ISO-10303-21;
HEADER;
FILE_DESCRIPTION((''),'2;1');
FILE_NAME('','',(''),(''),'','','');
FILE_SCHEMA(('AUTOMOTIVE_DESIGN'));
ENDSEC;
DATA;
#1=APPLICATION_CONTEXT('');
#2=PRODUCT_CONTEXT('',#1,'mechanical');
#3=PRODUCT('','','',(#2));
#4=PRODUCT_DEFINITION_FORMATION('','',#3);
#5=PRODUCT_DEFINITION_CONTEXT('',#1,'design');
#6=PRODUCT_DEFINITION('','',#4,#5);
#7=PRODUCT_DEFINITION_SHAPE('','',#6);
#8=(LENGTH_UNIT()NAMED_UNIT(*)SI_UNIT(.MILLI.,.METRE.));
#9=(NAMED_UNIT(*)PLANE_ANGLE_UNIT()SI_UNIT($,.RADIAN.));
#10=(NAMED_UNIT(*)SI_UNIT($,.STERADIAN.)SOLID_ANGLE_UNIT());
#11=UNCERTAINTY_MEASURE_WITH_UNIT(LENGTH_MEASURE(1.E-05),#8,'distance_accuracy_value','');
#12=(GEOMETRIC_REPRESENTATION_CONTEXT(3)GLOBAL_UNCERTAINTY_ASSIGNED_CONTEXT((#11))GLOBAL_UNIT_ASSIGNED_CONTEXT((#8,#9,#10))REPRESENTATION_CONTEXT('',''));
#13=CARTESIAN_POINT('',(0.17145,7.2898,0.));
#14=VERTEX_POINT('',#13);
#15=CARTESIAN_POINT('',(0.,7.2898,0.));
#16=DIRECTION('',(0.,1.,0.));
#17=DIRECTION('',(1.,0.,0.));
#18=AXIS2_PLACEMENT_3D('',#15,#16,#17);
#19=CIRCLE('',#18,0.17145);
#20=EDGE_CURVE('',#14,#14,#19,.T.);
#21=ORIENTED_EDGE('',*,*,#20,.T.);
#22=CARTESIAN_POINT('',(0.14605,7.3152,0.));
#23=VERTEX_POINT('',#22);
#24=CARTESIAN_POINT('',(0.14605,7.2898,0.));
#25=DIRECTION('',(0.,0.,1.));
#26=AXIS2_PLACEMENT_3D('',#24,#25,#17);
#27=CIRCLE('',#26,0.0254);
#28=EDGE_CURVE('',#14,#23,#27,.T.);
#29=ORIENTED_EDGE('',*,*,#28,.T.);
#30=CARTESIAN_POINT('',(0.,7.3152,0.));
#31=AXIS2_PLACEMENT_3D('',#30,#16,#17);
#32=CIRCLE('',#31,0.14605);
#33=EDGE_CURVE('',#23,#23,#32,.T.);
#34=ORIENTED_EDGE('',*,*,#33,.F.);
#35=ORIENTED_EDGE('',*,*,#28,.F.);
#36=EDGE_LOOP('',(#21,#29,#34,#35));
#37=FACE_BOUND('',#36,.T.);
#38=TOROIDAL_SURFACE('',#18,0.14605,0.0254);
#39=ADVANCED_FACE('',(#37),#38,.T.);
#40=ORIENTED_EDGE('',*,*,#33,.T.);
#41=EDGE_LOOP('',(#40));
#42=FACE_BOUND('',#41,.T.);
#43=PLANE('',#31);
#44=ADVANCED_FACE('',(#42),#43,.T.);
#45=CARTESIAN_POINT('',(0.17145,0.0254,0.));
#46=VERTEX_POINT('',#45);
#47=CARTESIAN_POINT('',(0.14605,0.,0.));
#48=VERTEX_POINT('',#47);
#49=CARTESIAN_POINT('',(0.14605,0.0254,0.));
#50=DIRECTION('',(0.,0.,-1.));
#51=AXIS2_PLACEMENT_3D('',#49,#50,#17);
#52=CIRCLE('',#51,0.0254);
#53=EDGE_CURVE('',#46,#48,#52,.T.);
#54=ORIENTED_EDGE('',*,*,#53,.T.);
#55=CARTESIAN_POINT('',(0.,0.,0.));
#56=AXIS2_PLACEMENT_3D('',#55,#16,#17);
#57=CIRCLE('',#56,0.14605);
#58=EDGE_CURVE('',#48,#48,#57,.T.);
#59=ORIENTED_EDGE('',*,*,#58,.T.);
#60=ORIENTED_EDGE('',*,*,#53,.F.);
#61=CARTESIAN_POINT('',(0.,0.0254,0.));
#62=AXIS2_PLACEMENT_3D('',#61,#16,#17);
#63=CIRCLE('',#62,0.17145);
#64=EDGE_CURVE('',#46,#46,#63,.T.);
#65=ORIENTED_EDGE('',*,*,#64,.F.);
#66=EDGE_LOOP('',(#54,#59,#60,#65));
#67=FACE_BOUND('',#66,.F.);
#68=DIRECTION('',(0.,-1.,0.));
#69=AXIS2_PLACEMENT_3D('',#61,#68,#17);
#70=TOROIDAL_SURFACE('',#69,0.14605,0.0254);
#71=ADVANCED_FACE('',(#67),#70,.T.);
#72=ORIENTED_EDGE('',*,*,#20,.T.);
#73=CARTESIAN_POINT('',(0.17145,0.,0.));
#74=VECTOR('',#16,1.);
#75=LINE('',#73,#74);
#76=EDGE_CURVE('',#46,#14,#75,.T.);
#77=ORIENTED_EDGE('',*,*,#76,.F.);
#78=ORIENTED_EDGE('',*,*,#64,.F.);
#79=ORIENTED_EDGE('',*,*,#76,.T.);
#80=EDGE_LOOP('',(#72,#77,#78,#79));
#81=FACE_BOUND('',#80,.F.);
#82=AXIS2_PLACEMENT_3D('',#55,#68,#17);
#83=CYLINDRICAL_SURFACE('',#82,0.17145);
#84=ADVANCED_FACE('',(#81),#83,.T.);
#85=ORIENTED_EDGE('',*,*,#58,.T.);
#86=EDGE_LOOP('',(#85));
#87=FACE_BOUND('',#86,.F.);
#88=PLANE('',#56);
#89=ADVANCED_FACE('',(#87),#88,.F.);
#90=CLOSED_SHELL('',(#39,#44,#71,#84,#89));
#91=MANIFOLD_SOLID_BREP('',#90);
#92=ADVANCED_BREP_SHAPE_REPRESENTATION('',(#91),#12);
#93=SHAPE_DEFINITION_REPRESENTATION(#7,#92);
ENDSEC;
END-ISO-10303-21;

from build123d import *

# Parameters (mm, degrees)
SKETCH1_R           = 0.17145
BOSS_EXTRUDE1_DEPTH = 7.3152
FILLET1_R           = 0.0254


with BuildPart() as part:
    # Sketch1 → Boss-Extrude1 (new body)
    with BuildSketch(Plane(origin=(0, 0, 0), x_dir=(1, 0, 0), z_dir=(0, 1, 0))):
        Circle(SKETCH1_R)
    extrude(amount=BOSS_EXTRUDE1_DEPTH)

    # Fillet1
    fillet1_edges = [part.edges().sort_by_distance(p)[0] for p in [
        (-0.17145, 0, 0),
        (-0.17145, 7.3152, 0),
    ]]
    fillet(fillet1_edges, radius=FILLET1_R)


solid = part.part
